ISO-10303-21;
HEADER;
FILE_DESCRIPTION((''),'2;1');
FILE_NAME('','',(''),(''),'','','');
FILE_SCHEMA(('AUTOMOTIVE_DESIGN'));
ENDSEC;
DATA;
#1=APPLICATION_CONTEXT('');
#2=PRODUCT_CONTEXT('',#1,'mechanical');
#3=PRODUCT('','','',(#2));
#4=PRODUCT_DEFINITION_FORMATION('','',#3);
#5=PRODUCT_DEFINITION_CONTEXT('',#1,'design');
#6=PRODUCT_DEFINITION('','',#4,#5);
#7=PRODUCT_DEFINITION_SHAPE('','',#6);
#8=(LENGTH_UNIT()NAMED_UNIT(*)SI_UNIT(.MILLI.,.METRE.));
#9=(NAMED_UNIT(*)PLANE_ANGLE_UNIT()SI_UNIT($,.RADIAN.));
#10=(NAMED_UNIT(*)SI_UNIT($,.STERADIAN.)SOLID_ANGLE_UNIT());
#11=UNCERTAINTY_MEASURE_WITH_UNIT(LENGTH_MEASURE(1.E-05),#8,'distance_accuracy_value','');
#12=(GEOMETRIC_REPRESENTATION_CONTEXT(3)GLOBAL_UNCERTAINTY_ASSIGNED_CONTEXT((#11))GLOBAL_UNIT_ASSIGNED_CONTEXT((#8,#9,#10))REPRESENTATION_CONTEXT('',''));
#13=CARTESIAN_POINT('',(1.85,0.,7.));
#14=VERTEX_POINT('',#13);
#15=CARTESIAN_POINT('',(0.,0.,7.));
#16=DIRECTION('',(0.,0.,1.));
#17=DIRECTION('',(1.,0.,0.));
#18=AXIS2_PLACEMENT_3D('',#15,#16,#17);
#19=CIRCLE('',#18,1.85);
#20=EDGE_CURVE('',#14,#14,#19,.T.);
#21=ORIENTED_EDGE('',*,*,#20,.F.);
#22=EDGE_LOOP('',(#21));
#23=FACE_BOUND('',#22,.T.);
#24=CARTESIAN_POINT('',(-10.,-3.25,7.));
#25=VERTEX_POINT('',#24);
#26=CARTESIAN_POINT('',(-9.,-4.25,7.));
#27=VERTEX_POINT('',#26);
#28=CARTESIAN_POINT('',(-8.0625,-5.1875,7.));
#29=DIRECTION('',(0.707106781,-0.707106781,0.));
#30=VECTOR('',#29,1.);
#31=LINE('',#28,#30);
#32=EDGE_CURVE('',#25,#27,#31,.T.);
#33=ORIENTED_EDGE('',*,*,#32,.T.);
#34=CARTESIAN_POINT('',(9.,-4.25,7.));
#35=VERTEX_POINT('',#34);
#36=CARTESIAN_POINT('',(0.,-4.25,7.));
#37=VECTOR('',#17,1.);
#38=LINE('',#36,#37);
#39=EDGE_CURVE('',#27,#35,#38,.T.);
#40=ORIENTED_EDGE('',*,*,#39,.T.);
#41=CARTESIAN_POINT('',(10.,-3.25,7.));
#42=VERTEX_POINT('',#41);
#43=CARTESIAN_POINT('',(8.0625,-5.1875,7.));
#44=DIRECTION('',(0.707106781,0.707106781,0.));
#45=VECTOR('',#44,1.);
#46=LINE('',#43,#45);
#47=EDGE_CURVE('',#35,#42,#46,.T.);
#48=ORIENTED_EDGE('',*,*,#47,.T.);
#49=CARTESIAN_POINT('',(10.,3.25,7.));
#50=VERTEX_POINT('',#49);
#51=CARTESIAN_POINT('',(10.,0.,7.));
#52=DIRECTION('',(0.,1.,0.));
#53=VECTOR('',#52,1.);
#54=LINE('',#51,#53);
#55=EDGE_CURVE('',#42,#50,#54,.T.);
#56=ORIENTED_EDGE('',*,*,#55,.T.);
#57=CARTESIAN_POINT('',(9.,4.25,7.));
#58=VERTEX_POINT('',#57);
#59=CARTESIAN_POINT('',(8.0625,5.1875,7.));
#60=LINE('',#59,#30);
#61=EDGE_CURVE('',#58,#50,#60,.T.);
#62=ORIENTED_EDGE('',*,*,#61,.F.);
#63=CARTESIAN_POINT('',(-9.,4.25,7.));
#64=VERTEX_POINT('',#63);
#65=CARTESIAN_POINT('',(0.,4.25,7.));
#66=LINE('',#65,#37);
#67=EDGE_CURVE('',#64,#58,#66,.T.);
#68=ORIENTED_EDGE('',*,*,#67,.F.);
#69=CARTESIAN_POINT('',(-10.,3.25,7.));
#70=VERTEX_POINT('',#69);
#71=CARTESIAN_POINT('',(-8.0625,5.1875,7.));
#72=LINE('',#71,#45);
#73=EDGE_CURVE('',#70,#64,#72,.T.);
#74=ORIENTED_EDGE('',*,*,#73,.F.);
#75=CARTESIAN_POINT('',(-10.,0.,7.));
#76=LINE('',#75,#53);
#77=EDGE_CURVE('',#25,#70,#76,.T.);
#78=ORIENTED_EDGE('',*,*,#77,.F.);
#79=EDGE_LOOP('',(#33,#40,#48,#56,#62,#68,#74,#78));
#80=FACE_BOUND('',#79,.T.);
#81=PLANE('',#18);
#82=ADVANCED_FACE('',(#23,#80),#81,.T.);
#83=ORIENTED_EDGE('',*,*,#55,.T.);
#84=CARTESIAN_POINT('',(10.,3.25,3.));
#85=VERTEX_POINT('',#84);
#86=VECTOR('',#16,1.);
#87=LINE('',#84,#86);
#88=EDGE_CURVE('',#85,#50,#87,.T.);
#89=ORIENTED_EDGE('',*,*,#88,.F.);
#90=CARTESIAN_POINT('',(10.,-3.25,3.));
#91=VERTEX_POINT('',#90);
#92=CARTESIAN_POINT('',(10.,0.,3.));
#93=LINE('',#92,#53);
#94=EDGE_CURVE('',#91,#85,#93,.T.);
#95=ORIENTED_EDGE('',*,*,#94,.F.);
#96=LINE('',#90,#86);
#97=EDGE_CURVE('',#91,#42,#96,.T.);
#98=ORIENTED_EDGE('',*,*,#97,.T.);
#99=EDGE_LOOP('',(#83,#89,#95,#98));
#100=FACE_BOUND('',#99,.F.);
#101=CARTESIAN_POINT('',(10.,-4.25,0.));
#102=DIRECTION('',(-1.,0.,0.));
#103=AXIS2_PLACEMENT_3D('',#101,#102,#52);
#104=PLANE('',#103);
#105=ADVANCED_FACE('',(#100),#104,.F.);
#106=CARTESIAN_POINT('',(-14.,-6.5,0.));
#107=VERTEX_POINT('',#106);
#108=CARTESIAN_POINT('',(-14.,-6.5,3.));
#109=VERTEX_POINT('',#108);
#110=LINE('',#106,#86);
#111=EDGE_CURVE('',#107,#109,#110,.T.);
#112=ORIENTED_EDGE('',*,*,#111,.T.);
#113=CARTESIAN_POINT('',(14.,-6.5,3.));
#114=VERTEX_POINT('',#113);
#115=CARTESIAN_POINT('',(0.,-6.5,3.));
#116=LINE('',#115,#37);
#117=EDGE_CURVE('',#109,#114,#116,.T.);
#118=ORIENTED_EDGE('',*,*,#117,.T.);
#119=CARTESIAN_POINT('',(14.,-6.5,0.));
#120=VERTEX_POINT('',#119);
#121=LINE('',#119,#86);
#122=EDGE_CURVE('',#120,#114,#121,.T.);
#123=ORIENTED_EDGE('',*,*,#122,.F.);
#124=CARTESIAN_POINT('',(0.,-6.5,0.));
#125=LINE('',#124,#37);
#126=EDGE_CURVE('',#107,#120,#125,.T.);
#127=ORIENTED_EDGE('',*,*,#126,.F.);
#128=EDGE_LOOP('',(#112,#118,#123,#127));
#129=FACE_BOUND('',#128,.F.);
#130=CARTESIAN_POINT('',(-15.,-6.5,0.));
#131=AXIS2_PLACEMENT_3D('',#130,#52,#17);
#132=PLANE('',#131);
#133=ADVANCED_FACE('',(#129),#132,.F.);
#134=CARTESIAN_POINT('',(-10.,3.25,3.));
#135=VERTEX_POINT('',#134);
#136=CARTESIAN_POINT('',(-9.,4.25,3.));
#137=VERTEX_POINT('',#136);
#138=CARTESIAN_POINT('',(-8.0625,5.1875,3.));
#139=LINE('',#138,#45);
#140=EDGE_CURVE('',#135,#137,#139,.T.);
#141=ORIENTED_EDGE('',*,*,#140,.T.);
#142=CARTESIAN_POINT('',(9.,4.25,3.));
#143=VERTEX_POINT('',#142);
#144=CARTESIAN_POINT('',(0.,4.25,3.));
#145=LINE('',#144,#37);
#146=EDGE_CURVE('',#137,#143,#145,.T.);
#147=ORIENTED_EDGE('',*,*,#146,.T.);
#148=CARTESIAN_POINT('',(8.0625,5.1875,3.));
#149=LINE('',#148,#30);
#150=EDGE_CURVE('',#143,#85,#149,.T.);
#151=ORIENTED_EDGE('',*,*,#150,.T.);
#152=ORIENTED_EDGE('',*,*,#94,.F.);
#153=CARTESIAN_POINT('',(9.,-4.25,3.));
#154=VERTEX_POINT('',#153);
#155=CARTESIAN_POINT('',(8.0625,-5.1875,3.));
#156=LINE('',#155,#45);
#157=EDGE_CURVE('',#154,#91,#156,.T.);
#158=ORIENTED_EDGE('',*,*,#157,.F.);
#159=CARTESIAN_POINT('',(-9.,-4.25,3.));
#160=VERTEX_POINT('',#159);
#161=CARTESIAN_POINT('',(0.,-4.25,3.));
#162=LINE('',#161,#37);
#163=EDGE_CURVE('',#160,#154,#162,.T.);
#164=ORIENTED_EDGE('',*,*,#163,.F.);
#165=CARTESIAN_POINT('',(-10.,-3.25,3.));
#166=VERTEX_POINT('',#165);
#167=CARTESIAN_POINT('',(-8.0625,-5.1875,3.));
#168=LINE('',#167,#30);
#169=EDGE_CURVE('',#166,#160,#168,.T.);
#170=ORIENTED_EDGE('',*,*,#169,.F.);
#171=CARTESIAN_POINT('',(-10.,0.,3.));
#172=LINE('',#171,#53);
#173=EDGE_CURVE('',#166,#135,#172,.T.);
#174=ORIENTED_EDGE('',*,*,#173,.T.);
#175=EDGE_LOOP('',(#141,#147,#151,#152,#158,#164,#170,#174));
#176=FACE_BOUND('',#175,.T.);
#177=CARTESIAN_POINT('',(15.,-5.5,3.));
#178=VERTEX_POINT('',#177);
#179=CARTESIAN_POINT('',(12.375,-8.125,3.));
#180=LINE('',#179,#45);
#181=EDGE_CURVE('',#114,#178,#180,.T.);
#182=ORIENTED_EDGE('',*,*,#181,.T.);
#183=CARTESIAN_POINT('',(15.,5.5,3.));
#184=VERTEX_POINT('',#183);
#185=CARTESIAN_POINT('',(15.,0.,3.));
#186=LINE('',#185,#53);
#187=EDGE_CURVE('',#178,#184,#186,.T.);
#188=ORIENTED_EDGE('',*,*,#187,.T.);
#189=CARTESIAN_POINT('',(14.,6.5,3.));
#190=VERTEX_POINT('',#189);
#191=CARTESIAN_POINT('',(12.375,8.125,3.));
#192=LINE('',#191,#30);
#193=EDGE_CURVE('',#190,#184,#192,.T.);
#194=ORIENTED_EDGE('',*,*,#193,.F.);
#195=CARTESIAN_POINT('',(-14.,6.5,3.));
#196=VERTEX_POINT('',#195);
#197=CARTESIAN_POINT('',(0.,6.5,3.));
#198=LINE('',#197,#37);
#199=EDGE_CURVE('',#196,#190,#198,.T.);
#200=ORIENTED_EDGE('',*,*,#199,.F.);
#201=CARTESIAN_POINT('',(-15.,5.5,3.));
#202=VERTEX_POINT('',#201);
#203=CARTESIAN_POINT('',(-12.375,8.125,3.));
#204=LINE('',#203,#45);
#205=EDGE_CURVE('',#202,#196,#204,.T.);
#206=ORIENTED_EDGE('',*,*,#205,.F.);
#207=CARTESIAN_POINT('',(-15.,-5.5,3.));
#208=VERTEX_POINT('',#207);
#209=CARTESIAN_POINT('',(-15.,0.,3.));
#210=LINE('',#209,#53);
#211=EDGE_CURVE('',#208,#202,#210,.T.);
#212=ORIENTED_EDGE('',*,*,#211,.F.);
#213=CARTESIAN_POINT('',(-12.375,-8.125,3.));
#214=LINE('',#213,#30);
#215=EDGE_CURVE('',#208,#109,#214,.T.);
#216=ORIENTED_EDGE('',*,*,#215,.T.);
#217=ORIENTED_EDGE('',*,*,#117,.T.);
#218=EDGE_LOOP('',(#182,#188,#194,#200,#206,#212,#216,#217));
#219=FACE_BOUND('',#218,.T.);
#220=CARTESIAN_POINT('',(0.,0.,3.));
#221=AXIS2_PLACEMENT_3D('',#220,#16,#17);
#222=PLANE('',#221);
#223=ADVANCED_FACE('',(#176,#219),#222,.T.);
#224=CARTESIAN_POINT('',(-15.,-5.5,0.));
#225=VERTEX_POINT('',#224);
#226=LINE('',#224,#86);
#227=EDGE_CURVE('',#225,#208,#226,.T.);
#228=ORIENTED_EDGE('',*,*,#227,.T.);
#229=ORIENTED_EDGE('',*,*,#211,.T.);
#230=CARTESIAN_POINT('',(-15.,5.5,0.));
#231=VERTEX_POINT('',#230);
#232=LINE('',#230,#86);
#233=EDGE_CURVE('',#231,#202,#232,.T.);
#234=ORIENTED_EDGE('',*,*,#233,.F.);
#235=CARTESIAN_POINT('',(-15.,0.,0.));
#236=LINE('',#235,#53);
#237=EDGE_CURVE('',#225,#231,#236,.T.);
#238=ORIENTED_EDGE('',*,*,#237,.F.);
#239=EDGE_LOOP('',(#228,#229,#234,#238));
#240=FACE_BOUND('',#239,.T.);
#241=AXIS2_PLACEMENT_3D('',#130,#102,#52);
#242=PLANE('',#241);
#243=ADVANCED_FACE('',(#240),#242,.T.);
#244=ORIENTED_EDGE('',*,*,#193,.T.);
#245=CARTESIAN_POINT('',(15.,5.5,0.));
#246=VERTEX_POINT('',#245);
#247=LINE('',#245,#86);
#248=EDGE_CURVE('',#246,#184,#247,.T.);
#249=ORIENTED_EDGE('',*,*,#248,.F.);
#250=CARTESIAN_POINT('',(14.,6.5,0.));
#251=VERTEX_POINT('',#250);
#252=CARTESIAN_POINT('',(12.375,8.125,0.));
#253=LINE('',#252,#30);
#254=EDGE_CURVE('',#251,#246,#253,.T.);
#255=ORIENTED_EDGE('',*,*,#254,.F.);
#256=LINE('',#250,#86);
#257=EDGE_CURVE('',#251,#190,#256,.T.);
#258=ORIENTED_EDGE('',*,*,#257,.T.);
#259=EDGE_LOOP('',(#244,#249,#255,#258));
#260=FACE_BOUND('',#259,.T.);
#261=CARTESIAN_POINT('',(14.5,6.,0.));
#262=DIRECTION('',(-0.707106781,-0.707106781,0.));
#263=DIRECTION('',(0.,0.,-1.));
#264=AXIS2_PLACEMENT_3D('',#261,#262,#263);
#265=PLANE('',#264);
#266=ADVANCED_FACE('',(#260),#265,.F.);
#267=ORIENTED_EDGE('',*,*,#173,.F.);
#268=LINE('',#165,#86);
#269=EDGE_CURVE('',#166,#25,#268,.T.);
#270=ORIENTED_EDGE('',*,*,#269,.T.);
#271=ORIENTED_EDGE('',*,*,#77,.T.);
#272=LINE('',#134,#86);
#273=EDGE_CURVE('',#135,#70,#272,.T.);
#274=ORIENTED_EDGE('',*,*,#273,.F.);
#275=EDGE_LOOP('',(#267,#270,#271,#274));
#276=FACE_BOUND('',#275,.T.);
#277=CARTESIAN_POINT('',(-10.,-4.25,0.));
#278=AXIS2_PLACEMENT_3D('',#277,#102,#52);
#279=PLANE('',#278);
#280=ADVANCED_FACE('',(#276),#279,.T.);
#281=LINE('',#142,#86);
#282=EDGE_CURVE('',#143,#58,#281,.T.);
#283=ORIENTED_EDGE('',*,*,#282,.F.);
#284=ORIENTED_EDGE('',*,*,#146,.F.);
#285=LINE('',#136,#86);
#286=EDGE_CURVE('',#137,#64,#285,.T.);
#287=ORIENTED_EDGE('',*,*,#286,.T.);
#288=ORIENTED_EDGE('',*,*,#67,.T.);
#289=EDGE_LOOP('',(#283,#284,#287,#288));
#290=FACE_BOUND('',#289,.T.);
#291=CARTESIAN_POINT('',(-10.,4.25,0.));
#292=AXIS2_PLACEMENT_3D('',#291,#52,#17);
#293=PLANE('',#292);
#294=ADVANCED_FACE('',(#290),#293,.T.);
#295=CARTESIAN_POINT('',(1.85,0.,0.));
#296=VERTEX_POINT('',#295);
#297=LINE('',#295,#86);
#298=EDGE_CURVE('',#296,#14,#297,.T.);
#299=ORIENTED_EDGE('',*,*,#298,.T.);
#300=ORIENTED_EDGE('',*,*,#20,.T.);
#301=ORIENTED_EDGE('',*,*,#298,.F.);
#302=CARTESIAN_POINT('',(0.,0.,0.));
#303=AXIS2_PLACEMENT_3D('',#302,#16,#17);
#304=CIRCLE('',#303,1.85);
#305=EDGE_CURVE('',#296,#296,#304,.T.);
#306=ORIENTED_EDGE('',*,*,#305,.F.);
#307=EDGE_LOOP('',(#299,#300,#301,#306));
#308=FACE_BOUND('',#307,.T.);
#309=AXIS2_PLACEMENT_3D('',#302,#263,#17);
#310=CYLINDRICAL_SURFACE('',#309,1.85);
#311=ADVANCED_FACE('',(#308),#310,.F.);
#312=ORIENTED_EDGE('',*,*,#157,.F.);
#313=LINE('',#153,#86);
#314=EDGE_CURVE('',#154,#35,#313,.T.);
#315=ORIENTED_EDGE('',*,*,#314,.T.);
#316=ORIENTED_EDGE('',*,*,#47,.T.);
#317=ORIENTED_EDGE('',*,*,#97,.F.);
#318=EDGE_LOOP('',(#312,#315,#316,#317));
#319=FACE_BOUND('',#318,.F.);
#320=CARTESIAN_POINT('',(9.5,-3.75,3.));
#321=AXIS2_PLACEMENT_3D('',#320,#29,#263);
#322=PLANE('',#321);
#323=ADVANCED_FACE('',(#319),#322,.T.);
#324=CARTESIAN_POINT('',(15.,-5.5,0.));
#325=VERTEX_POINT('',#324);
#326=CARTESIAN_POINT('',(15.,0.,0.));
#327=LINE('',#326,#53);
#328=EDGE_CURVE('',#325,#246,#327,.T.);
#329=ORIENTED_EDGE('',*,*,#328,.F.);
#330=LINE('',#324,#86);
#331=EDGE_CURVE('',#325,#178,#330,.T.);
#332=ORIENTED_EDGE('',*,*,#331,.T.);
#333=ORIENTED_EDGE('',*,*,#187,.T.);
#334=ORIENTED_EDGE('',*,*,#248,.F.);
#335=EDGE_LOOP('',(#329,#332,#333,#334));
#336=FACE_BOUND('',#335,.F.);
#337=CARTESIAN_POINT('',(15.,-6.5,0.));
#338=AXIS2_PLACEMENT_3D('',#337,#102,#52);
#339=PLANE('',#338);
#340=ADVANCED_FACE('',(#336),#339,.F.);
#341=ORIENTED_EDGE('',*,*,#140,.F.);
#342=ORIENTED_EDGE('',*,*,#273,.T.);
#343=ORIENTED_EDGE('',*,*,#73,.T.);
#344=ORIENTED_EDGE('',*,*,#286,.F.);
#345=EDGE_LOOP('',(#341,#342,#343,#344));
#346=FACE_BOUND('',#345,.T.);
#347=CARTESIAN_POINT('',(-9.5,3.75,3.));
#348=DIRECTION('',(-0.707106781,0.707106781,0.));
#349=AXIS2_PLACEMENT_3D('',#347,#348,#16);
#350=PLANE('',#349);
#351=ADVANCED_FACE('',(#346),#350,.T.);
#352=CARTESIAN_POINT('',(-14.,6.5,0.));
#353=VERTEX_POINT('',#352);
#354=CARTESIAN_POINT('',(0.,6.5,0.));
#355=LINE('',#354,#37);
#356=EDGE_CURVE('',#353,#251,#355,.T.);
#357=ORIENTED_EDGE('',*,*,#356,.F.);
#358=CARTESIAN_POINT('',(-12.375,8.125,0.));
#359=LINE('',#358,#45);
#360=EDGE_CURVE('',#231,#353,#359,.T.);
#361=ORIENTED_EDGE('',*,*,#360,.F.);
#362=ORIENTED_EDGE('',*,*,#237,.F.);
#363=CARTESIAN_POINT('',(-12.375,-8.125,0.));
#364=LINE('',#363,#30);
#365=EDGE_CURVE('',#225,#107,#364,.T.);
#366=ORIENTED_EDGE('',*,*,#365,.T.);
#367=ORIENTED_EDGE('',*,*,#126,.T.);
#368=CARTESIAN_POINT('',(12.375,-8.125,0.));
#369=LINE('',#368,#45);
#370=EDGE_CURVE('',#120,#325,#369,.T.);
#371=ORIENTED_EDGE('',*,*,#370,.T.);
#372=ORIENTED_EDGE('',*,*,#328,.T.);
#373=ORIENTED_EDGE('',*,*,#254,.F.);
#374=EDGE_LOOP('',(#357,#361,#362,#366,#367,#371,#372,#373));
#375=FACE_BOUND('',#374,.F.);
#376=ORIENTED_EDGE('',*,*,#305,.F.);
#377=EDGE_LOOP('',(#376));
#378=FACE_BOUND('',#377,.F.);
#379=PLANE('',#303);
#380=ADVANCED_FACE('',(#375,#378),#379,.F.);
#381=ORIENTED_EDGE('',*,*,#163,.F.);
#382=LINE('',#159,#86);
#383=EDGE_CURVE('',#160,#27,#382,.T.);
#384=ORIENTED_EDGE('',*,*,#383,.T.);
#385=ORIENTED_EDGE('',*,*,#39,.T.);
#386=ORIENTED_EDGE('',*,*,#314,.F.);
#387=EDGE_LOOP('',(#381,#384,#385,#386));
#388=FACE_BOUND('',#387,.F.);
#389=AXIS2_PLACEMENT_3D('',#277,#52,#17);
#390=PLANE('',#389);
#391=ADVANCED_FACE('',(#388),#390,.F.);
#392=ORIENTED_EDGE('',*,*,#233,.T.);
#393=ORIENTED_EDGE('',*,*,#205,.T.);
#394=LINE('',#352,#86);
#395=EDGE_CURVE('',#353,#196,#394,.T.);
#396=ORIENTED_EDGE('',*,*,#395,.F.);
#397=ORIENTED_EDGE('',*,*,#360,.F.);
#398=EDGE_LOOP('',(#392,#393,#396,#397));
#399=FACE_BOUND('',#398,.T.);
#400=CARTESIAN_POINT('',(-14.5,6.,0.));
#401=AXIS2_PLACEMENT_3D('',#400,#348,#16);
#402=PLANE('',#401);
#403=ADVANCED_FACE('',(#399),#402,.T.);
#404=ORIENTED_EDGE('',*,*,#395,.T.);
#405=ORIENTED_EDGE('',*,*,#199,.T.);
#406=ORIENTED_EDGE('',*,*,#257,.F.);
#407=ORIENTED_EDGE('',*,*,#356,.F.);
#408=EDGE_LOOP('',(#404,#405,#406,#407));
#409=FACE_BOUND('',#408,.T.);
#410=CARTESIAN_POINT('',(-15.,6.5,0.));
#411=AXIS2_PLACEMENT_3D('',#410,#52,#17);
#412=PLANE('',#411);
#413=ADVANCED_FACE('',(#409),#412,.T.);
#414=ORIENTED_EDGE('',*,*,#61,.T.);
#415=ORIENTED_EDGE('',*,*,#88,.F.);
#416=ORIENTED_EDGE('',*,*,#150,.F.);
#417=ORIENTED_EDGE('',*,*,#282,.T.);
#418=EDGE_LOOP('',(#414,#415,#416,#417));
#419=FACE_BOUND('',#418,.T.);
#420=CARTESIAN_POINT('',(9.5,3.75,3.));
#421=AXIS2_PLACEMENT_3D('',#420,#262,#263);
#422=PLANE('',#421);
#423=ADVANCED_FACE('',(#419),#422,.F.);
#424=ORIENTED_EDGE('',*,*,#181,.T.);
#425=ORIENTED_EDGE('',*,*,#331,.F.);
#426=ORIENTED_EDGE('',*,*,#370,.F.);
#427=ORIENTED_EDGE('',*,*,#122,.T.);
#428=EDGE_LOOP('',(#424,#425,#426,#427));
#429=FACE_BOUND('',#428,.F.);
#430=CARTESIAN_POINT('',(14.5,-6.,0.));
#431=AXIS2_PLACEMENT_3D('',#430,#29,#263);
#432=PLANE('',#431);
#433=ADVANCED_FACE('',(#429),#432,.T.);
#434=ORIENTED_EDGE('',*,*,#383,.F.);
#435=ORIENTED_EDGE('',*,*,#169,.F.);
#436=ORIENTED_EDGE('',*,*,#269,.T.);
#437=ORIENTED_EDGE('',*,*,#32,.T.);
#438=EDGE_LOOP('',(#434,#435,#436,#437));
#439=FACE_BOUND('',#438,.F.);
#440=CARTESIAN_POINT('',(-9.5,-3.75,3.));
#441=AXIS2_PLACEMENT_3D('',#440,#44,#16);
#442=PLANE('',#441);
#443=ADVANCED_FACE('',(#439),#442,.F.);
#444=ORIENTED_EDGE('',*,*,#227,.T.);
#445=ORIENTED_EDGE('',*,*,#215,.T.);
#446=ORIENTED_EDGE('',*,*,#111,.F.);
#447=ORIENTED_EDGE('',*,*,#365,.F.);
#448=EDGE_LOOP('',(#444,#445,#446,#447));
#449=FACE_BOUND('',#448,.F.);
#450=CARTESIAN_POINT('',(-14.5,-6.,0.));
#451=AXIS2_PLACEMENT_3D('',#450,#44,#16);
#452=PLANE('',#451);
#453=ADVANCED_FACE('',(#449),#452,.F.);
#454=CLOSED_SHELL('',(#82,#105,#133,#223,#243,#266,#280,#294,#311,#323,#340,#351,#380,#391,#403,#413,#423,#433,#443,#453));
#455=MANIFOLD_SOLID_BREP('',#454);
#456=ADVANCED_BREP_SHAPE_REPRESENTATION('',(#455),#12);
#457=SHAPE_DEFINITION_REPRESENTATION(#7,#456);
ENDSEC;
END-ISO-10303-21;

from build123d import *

# Parameters (mm, degrees)
F0_W     = 30
F0_H     = 13
F0_W_2   = 20
F0_H_2   = 8.5
F1_DEPTH = 3
F0_R     = 1.85
F2_DEPTH = 7
F3_SIZE  = 1


with BuildPart() as f1:
    # F0 (on Top) → F1 (new body)
    with BuildSketch(Plane.XY):
        Rectangle(F0_W, F0_H)
        Rectangle(F0_W_2, F0_H_2, mode=Mode.SUBTRACT)
    extrude(amount=F1_DEPTH)

    # F0 (on Top) → F2 (join)
    with BuildSketch(Plane.XY):
        Rectangle(F0_W_2, F0_H_2)
        Circle(F0_R, mode=Mode.SUBTRACT)
    extrude(amount=F2_DEPTH)

    # F3
    f3_edges = [f1.edges().sort_by_distance(p)[0] for p in [
        (-10, -4.25, 5),
        (10, -4.25, 5),
        (10, 4.25, 5),
        (-10, 4.25, 5),
        (-15, 6.5, 1.5),
        (15, 6.5, 1.5),
        (15, -6.5, 1.5),
        (-15, -6.5, 1.5),
    ]]
    chamfer(f3_edges, length=F3_SIZE)


solid = f1.part
